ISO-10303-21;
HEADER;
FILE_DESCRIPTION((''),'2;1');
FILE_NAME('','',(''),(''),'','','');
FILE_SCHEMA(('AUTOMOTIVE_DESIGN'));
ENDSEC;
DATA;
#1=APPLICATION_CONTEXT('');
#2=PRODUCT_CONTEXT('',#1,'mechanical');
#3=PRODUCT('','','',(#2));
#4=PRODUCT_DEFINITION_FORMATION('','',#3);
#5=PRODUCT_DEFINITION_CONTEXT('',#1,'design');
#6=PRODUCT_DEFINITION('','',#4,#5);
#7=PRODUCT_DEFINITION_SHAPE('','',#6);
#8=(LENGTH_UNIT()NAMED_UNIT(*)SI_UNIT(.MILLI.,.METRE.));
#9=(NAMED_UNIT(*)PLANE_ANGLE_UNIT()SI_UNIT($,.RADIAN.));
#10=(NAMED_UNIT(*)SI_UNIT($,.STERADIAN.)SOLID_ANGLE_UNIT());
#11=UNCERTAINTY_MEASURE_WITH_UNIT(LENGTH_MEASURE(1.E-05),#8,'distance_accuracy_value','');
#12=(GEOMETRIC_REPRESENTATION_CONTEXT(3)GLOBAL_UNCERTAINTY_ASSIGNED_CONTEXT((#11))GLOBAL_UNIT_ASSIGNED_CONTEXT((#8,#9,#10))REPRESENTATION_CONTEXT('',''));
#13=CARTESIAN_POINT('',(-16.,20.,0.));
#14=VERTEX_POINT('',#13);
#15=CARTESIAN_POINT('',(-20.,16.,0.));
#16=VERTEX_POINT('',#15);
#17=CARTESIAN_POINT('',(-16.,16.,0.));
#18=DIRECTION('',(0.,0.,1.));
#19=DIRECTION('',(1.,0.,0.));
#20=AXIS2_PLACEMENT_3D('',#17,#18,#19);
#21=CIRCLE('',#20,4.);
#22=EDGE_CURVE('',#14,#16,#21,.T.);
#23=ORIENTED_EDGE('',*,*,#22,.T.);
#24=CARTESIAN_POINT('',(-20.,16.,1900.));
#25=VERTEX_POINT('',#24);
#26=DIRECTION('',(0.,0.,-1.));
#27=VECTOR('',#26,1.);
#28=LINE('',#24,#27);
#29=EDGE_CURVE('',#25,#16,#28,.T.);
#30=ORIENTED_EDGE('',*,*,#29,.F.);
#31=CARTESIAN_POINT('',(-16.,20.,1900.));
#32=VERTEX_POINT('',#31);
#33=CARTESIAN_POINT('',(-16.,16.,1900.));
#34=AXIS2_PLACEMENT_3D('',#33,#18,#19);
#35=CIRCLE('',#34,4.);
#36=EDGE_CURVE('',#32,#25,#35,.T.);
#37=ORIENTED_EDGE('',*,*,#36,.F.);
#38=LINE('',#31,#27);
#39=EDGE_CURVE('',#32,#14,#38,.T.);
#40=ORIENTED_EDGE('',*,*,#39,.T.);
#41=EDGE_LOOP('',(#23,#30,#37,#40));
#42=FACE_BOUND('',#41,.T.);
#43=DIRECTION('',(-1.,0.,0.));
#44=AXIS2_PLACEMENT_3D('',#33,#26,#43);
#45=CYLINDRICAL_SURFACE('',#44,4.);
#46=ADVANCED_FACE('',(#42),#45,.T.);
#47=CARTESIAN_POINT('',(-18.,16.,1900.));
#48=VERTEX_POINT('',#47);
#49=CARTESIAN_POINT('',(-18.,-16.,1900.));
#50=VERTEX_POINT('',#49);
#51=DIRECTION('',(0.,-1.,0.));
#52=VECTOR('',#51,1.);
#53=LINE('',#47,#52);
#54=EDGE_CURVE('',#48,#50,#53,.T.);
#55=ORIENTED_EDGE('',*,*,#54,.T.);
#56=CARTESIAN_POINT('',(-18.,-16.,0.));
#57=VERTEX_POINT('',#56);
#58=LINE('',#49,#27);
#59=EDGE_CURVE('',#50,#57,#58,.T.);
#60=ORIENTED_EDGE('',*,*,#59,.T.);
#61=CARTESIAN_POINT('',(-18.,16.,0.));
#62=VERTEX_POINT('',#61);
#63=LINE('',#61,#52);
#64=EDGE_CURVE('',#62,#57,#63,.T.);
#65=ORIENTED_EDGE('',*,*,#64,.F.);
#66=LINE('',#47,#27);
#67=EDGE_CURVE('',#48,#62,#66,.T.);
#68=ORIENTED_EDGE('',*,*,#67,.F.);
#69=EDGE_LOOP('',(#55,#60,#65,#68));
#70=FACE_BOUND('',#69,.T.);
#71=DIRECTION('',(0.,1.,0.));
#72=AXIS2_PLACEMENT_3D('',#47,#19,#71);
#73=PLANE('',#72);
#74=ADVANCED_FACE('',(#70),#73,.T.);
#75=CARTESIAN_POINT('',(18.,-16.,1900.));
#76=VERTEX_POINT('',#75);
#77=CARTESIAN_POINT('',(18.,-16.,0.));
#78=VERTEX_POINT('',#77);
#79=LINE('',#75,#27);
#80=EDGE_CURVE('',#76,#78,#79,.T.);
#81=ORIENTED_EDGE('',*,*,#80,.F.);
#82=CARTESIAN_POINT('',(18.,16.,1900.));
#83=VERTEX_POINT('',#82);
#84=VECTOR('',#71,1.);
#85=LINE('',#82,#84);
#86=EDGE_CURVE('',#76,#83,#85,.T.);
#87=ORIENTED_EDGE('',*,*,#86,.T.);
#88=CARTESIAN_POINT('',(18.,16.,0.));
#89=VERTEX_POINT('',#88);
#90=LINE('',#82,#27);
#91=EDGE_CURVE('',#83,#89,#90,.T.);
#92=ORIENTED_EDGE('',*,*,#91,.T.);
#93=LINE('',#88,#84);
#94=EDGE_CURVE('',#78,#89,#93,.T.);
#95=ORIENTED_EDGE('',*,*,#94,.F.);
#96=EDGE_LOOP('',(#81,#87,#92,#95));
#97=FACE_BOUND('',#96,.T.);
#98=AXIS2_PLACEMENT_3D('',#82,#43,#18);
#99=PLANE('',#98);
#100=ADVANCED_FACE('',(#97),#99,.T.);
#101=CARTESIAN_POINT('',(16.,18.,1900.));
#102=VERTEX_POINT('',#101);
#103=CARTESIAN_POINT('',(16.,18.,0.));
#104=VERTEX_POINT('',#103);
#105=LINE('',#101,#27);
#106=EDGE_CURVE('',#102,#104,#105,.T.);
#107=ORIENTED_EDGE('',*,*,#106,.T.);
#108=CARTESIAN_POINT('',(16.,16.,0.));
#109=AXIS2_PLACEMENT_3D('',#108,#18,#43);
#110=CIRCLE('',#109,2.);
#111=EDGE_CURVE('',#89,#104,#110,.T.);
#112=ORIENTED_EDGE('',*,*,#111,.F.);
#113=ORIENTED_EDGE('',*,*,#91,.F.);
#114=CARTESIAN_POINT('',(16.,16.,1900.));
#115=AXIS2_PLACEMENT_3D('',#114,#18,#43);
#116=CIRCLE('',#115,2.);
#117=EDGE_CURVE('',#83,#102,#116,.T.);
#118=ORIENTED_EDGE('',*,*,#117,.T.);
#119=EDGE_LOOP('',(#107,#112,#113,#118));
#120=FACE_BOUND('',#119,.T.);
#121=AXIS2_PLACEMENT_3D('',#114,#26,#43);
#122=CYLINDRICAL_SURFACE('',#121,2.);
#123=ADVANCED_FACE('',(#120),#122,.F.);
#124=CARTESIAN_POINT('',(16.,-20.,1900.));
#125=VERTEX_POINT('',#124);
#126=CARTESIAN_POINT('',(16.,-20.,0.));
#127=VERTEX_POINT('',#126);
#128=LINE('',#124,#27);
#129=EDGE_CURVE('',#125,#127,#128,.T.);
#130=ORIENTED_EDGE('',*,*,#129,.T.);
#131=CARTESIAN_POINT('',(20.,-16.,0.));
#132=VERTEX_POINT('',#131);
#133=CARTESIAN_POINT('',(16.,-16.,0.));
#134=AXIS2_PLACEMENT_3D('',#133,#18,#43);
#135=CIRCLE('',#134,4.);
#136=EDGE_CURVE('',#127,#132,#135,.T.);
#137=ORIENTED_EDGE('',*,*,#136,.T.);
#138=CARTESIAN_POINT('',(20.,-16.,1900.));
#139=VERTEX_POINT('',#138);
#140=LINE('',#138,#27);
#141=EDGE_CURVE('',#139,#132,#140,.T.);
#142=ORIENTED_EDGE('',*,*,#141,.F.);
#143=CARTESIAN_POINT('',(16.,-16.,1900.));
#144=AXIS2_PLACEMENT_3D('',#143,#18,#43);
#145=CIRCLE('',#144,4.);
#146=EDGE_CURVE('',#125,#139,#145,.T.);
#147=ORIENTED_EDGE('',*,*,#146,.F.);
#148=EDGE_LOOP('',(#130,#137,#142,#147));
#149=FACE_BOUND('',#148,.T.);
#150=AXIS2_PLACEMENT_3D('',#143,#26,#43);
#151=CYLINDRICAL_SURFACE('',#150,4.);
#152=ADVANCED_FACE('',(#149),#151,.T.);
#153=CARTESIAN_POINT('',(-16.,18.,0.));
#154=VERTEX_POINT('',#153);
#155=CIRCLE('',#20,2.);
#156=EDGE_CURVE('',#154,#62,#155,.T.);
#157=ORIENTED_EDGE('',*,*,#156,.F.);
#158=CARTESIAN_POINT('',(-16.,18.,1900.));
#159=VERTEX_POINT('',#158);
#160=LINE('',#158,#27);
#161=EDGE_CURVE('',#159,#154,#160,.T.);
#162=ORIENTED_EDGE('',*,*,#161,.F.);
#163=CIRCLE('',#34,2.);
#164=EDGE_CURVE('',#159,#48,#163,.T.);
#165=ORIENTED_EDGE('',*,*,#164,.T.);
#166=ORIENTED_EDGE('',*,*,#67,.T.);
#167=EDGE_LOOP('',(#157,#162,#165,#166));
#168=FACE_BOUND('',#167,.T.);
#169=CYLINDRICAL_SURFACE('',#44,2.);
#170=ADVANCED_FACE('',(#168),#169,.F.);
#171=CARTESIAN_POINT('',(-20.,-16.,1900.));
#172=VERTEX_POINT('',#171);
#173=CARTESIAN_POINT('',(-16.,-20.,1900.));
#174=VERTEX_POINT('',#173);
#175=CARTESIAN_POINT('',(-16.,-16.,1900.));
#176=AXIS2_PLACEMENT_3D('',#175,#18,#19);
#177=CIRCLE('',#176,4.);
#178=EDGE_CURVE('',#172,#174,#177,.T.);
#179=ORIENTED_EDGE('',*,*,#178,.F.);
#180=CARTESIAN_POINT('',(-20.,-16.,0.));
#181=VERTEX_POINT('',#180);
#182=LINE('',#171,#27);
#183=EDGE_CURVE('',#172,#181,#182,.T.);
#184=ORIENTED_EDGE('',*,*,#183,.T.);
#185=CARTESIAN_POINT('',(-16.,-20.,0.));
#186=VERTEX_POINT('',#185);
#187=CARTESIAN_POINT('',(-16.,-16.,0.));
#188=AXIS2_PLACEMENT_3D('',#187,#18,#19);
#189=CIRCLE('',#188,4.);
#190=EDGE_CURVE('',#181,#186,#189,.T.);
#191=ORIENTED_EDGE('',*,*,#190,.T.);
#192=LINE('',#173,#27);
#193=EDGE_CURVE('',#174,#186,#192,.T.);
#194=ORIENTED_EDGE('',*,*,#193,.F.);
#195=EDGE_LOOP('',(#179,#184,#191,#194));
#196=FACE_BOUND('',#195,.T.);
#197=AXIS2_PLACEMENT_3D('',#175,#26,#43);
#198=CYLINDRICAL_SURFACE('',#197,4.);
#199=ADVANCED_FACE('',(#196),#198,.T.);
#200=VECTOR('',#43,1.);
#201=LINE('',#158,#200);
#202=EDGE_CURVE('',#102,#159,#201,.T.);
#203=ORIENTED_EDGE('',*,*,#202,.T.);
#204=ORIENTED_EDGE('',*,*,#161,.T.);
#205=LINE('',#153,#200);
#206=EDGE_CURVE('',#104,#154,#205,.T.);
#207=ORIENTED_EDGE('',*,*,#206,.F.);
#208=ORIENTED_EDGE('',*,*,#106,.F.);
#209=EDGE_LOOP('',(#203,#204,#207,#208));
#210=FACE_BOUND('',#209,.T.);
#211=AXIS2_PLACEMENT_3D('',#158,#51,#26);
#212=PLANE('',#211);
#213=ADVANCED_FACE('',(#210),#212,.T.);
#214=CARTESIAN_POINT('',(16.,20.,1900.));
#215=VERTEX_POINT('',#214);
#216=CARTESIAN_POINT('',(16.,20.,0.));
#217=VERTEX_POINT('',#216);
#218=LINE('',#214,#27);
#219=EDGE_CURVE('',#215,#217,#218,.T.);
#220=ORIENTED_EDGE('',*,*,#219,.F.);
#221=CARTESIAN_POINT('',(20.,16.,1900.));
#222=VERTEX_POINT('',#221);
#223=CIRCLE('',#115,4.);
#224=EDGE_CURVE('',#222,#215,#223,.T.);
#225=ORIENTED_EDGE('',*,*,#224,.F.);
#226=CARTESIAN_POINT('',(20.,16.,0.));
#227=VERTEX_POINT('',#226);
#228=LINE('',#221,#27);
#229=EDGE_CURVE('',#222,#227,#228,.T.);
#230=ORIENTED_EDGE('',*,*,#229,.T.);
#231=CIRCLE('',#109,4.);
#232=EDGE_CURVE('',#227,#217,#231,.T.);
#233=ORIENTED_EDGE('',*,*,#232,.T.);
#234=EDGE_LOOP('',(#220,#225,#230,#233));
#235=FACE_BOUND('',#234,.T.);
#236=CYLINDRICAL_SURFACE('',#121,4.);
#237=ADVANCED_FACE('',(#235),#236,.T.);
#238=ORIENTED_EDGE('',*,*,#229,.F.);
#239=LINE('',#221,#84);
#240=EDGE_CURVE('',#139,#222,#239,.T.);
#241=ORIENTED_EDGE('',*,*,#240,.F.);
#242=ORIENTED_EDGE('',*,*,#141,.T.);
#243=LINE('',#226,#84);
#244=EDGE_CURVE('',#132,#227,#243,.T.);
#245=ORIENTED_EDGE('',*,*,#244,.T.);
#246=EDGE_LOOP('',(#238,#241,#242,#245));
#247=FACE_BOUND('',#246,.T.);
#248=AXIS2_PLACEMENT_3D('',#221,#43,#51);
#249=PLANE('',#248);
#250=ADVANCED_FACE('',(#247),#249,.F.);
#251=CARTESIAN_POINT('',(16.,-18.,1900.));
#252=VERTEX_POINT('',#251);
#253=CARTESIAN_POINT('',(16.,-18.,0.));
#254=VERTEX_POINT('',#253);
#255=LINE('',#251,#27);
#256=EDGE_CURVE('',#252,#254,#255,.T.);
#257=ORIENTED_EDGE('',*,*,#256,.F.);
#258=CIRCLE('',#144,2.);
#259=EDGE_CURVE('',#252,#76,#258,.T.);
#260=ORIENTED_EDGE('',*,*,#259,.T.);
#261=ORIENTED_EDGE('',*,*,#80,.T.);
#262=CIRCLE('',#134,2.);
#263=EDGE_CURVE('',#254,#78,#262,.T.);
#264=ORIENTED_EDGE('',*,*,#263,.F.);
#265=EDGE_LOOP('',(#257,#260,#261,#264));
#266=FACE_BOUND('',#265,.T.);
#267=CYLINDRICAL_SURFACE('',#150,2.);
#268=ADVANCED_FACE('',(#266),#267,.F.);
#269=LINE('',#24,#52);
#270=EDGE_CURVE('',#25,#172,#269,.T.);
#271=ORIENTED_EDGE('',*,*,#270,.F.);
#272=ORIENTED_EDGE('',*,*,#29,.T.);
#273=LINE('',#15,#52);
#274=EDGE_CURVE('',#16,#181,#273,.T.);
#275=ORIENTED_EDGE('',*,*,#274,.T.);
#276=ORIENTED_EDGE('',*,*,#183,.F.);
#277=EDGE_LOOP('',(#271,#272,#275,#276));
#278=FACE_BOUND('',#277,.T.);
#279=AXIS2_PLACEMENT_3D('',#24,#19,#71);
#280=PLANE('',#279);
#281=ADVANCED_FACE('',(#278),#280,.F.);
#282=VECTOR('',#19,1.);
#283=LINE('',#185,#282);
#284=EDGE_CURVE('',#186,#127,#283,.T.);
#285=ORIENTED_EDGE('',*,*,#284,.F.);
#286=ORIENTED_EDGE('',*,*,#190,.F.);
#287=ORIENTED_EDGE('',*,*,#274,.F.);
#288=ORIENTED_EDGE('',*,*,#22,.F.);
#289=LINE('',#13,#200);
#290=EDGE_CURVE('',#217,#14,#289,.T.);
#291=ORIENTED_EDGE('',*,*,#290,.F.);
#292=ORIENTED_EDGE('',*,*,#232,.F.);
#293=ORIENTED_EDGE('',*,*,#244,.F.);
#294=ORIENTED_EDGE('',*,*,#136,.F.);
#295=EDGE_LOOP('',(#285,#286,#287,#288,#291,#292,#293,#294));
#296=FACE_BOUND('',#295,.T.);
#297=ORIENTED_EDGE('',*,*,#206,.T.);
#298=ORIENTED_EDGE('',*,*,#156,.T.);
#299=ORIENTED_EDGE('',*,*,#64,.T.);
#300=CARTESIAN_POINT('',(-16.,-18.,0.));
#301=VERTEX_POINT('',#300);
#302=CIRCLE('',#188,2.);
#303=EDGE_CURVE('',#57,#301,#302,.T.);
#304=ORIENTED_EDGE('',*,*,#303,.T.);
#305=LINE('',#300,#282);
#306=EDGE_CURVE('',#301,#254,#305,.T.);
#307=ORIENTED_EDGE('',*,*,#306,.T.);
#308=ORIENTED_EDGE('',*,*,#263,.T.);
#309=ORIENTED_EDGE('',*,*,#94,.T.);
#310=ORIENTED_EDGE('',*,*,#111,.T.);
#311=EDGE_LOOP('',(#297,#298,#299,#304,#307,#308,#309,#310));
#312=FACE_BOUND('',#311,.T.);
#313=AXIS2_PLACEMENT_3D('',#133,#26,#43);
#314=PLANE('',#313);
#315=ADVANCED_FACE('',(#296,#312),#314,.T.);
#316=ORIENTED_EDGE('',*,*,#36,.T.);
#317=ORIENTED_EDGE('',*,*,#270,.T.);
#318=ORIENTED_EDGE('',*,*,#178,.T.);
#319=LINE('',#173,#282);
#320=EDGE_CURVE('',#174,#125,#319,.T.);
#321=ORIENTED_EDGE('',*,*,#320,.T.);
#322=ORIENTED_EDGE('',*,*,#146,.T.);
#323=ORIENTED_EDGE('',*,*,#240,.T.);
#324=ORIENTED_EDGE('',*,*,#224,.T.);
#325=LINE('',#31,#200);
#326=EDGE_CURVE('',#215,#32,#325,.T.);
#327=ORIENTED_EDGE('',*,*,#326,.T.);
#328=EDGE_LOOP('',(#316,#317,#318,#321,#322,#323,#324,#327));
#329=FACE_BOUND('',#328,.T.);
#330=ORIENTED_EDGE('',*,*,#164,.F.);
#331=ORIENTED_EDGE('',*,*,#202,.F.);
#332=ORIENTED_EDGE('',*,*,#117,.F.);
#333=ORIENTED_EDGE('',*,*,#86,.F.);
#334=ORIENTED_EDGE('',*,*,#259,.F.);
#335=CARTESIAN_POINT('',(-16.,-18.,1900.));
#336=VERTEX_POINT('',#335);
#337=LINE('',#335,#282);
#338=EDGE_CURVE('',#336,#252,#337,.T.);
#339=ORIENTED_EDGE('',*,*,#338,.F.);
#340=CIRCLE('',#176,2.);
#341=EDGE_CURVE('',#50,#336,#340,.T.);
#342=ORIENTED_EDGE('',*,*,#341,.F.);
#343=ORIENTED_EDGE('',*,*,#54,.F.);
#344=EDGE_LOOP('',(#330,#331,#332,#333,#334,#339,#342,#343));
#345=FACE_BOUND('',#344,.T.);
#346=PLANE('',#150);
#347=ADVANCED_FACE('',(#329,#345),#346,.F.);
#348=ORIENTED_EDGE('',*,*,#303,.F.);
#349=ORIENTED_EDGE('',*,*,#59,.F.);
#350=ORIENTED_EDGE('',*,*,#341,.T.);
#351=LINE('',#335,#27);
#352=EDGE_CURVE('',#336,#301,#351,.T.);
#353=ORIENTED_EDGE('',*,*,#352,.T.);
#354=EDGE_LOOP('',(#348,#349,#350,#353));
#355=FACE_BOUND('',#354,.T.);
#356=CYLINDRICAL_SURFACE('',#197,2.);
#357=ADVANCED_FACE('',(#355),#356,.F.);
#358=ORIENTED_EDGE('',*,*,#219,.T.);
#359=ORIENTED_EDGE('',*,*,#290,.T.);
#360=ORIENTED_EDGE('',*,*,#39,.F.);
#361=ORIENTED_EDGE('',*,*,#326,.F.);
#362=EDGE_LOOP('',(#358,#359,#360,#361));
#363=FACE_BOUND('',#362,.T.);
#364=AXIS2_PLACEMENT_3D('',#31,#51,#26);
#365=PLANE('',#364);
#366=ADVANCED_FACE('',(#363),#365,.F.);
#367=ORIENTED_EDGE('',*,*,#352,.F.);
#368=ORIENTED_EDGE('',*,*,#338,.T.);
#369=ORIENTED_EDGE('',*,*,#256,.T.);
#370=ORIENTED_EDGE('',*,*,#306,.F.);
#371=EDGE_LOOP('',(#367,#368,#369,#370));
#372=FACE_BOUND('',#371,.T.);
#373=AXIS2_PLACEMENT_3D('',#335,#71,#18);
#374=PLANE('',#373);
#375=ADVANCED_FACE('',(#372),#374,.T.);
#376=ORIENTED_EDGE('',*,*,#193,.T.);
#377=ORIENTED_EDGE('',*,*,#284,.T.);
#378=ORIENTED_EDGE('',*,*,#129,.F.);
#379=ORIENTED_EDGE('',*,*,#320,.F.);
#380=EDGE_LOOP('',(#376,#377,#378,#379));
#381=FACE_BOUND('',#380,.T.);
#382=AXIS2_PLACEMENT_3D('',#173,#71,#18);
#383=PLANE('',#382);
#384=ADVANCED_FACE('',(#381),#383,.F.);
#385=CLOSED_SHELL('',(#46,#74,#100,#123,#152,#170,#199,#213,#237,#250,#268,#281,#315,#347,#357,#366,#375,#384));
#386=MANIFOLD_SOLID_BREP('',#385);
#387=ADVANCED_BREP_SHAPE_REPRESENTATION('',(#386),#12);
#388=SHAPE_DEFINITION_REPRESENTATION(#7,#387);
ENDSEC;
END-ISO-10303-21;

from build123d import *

# Parameters (mm, degrees)
Y_KSEKLIK_EKSTR_ZYON1_DEPTH = 1900


with BuildPart() as part:
    # Çizim1 → Yükseklik-Ekstrüzyon1 (new body)
    with BuildSketch(Plane.XY):
        with BuildLine():
            Line((-16, 20), (16, 20))
            ThreePointArc((16, 20), (18.828427125, 18.828427125), (20, 16))
            Line((20, 16), (20, -16))
            ThreePointArc((20, -16), (18.828427125, -18.828427125), (16, -20))
            Line((16, -20), (-16, -20))
            ThreePointArc((-16, -20), (-18.828427125, -18.828427125), (-20, -16))
            Line((-20, -16), (-20, 16))
            ThreePointArc((-20, 16), (-18.828427125, 18.828427125), (-16, 20))
        make_face()
        with BuildLine():
            Line((-18, 16), (-18, -16))
            ThreePointArc((-18, -16), (-17.414213562, -17.414213562), (-16, -18))
            Line((-16, -18), (16, -18))
            ThreePointArc((16, -18), (17.414213562, -17.414213562), (18, -16))
            Line((18, -16), (18, 16))
            ThreePointArc((18, 16), (17.414213562, 17.414213562), (16, 18))
            Line((16, 18), (-16, 18))
            ThreePointArc((-16, 18), (-17.414213562, 17.414213562), (-18, 16))
        make_face(mode=Mode.SUBTRACT)
    extrude(amount=Y_KSEKLIK_EKSTR_ZYON1_DEPTH)


solid = part.part
